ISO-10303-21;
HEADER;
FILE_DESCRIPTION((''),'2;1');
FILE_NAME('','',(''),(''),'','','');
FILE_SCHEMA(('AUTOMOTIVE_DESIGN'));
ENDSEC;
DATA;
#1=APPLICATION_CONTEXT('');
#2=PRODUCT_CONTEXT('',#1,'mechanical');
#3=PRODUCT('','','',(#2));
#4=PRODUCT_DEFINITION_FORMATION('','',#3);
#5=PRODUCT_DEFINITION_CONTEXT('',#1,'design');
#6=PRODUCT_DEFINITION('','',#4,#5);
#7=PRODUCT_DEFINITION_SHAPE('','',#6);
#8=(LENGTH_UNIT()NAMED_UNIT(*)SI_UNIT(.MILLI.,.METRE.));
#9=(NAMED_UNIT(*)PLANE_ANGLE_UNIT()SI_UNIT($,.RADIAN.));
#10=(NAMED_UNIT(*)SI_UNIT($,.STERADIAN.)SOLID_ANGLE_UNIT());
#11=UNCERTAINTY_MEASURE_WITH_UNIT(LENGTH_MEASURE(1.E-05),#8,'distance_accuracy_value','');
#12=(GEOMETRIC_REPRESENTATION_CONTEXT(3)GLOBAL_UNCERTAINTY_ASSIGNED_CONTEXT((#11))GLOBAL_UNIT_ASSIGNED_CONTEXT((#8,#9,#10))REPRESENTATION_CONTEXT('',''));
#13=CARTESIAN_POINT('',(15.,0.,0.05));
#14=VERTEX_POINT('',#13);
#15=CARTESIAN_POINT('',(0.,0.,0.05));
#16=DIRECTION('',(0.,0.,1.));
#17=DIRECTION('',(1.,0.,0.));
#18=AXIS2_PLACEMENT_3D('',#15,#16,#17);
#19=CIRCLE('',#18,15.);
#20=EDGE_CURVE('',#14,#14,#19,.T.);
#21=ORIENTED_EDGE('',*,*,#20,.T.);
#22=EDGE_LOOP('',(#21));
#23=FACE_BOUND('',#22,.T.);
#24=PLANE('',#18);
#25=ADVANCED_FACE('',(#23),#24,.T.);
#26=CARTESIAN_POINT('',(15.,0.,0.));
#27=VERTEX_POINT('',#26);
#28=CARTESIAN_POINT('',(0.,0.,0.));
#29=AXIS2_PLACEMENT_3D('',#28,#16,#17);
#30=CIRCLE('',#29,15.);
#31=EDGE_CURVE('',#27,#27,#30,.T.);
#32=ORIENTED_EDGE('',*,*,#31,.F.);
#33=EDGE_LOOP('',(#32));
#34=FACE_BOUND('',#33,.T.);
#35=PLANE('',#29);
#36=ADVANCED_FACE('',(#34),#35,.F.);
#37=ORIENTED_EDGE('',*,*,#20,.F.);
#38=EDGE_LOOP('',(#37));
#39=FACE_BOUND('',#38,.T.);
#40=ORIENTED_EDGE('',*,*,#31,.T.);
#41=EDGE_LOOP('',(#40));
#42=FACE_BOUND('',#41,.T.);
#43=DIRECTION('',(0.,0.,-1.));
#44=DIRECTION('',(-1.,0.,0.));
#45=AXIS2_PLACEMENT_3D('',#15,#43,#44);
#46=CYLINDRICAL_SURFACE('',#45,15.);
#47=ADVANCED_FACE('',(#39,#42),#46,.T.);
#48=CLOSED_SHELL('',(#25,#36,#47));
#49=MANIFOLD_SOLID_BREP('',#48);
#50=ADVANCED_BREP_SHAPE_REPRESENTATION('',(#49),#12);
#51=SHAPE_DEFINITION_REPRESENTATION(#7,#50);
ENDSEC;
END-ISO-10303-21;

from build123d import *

# Parameters (mm, degrees)
ESQUISSE1_R        = 15
BOSS_EXTRU_1_DEPTH = 0.05


with BuildPart() as part:
    # Esquisse1 → Boss.-Extru.1 (new body)
    with BuildSketch(Plane.XY):
        Circle(ESQUISSE1_R)
    extrude(amount=BOSS_EXTRU_1_DEPTH)


solid = part.part
